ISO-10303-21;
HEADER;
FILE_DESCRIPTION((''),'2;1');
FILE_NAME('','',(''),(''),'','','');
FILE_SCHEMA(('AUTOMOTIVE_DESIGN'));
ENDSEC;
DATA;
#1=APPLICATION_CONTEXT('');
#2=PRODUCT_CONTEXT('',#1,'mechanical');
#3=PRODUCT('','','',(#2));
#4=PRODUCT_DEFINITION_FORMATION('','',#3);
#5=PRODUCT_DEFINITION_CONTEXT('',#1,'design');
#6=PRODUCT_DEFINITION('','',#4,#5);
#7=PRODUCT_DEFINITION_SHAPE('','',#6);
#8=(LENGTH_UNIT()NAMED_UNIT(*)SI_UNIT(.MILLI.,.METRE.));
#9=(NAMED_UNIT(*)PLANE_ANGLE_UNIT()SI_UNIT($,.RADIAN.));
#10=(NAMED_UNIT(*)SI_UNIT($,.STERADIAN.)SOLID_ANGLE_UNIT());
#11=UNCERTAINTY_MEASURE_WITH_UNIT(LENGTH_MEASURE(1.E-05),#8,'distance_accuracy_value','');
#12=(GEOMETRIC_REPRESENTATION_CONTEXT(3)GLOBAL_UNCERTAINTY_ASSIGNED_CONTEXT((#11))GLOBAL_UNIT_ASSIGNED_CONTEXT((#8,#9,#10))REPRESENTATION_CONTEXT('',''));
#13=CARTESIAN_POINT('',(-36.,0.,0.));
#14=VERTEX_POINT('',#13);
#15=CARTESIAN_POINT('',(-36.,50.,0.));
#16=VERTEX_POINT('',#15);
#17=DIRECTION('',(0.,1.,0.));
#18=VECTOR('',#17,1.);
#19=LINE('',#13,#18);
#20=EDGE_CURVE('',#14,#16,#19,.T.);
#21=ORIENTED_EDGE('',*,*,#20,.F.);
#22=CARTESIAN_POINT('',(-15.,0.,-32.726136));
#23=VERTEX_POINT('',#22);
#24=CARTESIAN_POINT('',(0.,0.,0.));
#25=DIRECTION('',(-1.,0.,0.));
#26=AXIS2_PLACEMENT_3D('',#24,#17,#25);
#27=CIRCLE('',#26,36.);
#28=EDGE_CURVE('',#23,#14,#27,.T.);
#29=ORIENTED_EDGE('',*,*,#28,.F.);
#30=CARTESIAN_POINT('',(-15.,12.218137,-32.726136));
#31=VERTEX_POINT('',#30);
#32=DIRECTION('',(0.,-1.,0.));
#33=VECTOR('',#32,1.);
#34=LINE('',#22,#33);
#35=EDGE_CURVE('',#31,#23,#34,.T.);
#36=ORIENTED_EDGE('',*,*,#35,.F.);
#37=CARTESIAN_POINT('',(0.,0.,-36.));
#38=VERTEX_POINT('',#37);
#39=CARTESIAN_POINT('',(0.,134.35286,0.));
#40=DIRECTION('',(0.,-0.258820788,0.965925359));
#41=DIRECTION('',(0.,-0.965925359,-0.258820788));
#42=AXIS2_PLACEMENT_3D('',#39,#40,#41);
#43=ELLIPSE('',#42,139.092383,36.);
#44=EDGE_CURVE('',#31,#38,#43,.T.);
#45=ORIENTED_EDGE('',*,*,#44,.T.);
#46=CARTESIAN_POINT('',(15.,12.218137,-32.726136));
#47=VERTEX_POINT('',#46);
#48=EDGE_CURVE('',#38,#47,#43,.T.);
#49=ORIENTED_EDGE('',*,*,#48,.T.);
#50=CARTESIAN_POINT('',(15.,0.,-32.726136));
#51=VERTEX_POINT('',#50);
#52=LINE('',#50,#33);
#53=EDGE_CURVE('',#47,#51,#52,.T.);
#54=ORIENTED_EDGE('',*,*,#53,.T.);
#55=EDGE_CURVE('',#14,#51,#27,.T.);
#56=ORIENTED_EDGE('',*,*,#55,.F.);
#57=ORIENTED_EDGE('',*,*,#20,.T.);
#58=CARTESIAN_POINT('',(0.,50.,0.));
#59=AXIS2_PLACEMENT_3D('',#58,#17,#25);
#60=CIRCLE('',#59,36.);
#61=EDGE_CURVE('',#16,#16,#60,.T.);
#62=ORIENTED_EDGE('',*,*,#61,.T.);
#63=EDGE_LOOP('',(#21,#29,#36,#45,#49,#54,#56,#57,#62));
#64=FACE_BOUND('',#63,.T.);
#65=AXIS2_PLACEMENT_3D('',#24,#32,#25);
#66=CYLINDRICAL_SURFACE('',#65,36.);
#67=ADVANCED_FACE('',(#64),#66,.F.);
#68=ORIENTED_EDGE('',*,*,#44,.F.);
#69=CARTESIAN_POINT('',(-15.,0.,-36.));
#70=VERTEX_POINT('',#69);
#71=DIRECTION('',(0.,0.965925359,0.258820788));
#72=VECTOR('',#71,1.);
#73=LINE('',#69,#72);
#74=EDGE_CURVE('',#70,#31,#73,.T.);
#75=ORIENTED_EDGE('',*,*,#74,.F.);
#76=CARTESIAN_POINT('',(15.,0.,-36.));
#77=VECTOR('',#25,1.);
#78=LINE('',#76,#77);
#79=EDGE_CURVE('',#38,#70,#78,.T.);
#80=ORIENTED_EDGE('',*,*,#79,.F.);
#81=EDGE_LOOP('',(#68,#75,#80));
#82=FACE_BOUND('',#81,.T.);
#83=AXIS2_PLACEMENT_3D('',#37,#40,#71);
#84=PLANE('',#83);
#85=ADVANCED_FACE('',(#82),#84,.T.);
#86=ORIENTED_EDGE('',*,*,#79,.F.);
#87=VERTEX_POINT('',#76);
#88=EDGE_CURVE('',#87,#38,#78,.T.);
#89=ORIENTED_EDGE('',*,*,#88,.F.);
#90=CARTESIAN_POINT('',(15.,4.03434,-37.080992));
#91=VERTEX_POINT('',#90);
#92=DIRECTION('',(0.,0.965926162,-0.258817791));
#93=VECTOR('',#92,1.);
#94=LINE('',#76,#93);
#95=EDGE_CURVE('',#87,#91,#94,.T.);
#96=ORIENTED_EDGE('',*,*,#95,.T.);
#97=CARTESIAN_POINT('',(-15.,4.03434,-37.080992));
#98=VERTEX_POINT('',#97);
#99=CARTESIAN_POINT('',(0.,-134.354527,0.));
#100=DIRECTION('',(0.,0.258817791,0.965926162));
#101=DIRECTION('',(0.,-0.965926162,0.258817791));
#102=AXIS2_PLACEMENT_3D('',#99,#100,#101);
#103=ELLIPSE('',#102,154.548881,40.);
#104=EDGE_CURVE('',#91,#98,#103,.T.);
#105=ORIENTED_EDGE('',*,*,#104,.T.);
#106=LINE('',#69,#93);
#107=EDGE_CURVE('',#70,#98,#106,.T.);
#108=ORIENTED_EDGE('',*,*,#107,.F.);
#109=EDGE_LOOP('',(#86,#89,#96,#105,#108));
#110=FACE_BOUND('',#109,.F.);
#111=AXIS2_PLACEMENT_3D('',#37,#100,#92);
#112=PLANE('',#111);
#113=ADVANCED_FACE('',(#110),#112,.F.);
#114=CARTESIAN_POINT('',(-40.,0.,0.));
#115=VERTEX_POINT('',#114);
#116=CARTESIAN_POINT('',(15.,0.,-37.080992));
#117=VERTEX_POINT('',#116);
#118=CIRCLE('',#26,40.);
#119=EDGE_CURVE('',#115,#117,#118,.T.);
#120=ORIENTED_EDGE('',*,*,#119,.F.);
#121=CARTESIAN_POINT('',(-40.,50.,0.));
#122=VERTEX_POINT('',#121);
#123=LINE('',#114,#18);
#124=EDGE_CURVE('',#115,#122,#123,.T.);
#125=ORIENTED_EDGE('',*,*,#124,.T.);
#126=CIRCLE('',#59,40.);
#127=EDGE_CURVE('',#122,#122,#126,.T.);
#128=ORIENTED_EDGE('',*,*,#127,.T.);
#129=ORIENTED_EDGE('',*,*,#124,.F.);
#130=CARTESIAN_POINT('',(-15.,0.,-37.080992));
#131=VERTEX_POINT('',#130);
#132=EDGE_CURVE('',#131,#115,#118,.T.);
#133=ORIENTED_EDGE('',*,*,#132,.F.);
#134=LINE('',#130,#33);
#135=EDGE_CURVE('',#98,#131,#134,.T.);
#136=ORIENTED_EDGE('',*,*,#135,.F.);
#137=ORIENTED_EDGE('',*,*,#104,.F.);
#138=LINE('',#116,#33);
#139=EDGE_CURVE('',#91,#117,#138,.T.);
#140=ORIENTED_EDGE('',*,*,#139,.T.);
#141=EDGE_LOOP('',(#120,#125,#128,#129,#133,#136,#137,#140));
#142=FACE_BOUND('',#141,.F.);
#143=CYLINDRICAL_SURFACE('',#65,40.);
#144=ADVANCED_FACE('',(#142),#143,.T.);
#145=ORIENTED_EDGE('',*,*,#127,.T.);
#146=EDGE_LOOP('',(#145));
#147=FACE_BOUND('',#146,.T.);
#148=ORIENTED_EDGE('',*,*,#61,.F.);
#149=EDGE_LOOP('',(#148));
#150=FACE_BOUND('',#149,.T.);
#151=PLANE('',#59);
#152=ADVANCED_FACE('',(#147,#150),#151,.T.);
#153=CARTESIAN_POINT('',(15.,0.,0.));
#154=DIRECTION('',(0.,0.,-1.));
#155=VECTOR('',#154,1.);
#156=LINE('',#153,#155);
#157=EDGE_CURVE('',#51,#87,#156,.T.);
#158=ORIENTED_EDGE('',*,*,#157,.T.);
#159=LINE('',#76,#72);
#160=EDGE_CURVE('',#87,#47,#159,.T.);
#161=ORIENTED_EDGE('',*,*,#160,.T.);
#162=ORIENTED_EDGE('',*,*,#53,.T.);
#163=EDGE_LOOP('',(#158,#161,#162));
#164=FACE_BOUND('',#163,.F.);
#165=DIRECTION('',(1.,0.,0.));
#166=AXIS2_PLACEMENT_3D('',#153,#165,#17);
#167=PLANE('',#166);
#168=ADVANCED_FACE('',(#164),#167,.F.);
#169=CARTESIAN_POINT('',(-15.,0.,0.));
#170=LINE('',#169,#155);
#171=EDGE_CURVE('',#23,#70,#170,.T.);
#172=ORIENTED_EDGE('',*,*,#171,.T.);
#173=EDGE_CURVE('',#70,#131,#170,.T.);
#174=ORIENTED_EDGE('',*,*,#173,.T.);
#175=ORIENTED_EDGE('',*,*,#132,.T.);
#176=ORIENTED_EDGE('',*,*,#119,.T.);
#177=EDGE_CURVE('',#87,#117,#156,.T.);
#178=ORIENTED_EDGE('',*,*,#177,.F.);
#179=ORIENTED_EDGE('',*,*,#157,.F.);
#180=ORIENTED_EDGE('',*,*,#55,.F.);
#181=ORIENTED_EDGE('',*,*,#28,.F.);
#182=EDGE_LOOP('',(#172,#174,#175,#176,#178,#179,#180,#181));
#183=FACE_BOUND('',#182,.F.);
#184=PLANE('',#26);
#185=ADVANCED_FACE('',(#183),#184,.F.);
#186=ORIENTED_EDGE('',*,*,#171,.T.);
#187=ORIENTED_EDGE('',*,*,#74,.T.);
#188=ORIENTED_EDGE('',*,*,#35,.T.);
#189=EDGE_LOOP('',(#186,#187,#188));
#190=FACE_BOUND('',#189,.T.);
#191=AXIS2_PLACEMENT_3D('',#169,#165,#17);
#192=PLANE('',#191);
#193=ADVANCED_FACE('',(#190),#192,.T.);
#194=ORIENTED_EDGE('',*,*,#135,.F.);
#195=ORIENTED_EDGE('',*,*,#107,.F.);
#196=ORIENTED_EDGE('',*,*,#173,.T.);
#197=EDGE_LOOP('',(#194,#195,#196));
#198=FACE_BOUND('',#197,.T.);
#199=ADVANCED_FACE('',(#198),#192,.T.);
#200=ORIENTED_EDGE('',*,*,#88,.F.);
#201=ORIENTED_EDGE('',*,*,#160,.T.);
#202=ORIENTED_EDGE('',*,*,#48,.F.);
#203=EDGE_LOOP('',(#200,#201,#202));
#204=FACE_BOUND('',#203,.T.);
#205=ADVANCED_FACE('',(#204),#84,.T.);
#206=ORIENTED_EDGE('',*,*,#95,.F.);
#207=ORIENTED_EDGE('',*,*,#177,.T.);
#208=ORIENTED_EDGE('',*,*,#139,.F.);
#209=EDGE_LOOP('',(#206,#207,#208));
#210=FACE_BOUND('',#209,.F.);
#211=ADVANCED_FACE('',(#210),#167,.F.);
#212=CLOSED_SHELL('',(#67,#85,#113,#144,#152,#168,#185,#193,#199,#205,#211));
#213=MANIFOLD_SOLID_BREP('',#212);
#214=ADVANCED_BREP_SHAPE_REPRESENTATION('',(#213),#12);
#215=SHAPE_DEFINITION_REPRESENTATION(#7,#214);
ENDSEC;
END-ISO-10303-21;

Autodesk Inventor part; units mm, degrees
ref_plane "YZ Plane" through (0, 0, 0) normal (1, 0, 0) x (0, 1, 0)
ref_plane "XZ Plane" through (0, 0, 0) normal (0, 1, 0) x (-1, 0, 0)
ref_plane "XY Plane" through (0, 0, 0) normal (0, 0, 1) x (1, 0, 0)
sketch "Sketch1" plane through (0, 0, 0) normal (0, 1, 0) x (-1, 0, 0)
  circle A0 centre (0, 0) radius 40
  circle A1 centre (0, 0) radius 36
  dimension "d1" = 72
  dimension "d8" = 80
extrude "Extrusion1" add sketch "Sketch1" along normal blind 50
sketch "Sketch2" plane through (0, 0, 0) normal (1, 0, 0) x (0, 1, 0)
  line L0 (0, 40) -> (0, -40) projected
  line L1 (0, -36) -> (19.3804, -30.807)
  line L2 (0, -36) -> (20.8201, -41.5787)
  line L3 (19.3804, -30.807) -> (-2.465, -30.807)
  line L4 (-2.465, -30.807) -> (-2.465, -42.37)
  line L5 (-2.465, -42.37) -> (20.8201, -42.37)
  line L6 (20.8201, -42.37) -> (20.8201, -41.5787)
  line L7 (0, -36) -> (50, -36) projected
  point P0 (0, 0)
  dimension "d6" = 15
  dimension "d7" = 15
extrude "Extrusion2" cut sketch "Sketch2" along normal mid plane 30
properties part number "Whistle Splitter 40mmR"
